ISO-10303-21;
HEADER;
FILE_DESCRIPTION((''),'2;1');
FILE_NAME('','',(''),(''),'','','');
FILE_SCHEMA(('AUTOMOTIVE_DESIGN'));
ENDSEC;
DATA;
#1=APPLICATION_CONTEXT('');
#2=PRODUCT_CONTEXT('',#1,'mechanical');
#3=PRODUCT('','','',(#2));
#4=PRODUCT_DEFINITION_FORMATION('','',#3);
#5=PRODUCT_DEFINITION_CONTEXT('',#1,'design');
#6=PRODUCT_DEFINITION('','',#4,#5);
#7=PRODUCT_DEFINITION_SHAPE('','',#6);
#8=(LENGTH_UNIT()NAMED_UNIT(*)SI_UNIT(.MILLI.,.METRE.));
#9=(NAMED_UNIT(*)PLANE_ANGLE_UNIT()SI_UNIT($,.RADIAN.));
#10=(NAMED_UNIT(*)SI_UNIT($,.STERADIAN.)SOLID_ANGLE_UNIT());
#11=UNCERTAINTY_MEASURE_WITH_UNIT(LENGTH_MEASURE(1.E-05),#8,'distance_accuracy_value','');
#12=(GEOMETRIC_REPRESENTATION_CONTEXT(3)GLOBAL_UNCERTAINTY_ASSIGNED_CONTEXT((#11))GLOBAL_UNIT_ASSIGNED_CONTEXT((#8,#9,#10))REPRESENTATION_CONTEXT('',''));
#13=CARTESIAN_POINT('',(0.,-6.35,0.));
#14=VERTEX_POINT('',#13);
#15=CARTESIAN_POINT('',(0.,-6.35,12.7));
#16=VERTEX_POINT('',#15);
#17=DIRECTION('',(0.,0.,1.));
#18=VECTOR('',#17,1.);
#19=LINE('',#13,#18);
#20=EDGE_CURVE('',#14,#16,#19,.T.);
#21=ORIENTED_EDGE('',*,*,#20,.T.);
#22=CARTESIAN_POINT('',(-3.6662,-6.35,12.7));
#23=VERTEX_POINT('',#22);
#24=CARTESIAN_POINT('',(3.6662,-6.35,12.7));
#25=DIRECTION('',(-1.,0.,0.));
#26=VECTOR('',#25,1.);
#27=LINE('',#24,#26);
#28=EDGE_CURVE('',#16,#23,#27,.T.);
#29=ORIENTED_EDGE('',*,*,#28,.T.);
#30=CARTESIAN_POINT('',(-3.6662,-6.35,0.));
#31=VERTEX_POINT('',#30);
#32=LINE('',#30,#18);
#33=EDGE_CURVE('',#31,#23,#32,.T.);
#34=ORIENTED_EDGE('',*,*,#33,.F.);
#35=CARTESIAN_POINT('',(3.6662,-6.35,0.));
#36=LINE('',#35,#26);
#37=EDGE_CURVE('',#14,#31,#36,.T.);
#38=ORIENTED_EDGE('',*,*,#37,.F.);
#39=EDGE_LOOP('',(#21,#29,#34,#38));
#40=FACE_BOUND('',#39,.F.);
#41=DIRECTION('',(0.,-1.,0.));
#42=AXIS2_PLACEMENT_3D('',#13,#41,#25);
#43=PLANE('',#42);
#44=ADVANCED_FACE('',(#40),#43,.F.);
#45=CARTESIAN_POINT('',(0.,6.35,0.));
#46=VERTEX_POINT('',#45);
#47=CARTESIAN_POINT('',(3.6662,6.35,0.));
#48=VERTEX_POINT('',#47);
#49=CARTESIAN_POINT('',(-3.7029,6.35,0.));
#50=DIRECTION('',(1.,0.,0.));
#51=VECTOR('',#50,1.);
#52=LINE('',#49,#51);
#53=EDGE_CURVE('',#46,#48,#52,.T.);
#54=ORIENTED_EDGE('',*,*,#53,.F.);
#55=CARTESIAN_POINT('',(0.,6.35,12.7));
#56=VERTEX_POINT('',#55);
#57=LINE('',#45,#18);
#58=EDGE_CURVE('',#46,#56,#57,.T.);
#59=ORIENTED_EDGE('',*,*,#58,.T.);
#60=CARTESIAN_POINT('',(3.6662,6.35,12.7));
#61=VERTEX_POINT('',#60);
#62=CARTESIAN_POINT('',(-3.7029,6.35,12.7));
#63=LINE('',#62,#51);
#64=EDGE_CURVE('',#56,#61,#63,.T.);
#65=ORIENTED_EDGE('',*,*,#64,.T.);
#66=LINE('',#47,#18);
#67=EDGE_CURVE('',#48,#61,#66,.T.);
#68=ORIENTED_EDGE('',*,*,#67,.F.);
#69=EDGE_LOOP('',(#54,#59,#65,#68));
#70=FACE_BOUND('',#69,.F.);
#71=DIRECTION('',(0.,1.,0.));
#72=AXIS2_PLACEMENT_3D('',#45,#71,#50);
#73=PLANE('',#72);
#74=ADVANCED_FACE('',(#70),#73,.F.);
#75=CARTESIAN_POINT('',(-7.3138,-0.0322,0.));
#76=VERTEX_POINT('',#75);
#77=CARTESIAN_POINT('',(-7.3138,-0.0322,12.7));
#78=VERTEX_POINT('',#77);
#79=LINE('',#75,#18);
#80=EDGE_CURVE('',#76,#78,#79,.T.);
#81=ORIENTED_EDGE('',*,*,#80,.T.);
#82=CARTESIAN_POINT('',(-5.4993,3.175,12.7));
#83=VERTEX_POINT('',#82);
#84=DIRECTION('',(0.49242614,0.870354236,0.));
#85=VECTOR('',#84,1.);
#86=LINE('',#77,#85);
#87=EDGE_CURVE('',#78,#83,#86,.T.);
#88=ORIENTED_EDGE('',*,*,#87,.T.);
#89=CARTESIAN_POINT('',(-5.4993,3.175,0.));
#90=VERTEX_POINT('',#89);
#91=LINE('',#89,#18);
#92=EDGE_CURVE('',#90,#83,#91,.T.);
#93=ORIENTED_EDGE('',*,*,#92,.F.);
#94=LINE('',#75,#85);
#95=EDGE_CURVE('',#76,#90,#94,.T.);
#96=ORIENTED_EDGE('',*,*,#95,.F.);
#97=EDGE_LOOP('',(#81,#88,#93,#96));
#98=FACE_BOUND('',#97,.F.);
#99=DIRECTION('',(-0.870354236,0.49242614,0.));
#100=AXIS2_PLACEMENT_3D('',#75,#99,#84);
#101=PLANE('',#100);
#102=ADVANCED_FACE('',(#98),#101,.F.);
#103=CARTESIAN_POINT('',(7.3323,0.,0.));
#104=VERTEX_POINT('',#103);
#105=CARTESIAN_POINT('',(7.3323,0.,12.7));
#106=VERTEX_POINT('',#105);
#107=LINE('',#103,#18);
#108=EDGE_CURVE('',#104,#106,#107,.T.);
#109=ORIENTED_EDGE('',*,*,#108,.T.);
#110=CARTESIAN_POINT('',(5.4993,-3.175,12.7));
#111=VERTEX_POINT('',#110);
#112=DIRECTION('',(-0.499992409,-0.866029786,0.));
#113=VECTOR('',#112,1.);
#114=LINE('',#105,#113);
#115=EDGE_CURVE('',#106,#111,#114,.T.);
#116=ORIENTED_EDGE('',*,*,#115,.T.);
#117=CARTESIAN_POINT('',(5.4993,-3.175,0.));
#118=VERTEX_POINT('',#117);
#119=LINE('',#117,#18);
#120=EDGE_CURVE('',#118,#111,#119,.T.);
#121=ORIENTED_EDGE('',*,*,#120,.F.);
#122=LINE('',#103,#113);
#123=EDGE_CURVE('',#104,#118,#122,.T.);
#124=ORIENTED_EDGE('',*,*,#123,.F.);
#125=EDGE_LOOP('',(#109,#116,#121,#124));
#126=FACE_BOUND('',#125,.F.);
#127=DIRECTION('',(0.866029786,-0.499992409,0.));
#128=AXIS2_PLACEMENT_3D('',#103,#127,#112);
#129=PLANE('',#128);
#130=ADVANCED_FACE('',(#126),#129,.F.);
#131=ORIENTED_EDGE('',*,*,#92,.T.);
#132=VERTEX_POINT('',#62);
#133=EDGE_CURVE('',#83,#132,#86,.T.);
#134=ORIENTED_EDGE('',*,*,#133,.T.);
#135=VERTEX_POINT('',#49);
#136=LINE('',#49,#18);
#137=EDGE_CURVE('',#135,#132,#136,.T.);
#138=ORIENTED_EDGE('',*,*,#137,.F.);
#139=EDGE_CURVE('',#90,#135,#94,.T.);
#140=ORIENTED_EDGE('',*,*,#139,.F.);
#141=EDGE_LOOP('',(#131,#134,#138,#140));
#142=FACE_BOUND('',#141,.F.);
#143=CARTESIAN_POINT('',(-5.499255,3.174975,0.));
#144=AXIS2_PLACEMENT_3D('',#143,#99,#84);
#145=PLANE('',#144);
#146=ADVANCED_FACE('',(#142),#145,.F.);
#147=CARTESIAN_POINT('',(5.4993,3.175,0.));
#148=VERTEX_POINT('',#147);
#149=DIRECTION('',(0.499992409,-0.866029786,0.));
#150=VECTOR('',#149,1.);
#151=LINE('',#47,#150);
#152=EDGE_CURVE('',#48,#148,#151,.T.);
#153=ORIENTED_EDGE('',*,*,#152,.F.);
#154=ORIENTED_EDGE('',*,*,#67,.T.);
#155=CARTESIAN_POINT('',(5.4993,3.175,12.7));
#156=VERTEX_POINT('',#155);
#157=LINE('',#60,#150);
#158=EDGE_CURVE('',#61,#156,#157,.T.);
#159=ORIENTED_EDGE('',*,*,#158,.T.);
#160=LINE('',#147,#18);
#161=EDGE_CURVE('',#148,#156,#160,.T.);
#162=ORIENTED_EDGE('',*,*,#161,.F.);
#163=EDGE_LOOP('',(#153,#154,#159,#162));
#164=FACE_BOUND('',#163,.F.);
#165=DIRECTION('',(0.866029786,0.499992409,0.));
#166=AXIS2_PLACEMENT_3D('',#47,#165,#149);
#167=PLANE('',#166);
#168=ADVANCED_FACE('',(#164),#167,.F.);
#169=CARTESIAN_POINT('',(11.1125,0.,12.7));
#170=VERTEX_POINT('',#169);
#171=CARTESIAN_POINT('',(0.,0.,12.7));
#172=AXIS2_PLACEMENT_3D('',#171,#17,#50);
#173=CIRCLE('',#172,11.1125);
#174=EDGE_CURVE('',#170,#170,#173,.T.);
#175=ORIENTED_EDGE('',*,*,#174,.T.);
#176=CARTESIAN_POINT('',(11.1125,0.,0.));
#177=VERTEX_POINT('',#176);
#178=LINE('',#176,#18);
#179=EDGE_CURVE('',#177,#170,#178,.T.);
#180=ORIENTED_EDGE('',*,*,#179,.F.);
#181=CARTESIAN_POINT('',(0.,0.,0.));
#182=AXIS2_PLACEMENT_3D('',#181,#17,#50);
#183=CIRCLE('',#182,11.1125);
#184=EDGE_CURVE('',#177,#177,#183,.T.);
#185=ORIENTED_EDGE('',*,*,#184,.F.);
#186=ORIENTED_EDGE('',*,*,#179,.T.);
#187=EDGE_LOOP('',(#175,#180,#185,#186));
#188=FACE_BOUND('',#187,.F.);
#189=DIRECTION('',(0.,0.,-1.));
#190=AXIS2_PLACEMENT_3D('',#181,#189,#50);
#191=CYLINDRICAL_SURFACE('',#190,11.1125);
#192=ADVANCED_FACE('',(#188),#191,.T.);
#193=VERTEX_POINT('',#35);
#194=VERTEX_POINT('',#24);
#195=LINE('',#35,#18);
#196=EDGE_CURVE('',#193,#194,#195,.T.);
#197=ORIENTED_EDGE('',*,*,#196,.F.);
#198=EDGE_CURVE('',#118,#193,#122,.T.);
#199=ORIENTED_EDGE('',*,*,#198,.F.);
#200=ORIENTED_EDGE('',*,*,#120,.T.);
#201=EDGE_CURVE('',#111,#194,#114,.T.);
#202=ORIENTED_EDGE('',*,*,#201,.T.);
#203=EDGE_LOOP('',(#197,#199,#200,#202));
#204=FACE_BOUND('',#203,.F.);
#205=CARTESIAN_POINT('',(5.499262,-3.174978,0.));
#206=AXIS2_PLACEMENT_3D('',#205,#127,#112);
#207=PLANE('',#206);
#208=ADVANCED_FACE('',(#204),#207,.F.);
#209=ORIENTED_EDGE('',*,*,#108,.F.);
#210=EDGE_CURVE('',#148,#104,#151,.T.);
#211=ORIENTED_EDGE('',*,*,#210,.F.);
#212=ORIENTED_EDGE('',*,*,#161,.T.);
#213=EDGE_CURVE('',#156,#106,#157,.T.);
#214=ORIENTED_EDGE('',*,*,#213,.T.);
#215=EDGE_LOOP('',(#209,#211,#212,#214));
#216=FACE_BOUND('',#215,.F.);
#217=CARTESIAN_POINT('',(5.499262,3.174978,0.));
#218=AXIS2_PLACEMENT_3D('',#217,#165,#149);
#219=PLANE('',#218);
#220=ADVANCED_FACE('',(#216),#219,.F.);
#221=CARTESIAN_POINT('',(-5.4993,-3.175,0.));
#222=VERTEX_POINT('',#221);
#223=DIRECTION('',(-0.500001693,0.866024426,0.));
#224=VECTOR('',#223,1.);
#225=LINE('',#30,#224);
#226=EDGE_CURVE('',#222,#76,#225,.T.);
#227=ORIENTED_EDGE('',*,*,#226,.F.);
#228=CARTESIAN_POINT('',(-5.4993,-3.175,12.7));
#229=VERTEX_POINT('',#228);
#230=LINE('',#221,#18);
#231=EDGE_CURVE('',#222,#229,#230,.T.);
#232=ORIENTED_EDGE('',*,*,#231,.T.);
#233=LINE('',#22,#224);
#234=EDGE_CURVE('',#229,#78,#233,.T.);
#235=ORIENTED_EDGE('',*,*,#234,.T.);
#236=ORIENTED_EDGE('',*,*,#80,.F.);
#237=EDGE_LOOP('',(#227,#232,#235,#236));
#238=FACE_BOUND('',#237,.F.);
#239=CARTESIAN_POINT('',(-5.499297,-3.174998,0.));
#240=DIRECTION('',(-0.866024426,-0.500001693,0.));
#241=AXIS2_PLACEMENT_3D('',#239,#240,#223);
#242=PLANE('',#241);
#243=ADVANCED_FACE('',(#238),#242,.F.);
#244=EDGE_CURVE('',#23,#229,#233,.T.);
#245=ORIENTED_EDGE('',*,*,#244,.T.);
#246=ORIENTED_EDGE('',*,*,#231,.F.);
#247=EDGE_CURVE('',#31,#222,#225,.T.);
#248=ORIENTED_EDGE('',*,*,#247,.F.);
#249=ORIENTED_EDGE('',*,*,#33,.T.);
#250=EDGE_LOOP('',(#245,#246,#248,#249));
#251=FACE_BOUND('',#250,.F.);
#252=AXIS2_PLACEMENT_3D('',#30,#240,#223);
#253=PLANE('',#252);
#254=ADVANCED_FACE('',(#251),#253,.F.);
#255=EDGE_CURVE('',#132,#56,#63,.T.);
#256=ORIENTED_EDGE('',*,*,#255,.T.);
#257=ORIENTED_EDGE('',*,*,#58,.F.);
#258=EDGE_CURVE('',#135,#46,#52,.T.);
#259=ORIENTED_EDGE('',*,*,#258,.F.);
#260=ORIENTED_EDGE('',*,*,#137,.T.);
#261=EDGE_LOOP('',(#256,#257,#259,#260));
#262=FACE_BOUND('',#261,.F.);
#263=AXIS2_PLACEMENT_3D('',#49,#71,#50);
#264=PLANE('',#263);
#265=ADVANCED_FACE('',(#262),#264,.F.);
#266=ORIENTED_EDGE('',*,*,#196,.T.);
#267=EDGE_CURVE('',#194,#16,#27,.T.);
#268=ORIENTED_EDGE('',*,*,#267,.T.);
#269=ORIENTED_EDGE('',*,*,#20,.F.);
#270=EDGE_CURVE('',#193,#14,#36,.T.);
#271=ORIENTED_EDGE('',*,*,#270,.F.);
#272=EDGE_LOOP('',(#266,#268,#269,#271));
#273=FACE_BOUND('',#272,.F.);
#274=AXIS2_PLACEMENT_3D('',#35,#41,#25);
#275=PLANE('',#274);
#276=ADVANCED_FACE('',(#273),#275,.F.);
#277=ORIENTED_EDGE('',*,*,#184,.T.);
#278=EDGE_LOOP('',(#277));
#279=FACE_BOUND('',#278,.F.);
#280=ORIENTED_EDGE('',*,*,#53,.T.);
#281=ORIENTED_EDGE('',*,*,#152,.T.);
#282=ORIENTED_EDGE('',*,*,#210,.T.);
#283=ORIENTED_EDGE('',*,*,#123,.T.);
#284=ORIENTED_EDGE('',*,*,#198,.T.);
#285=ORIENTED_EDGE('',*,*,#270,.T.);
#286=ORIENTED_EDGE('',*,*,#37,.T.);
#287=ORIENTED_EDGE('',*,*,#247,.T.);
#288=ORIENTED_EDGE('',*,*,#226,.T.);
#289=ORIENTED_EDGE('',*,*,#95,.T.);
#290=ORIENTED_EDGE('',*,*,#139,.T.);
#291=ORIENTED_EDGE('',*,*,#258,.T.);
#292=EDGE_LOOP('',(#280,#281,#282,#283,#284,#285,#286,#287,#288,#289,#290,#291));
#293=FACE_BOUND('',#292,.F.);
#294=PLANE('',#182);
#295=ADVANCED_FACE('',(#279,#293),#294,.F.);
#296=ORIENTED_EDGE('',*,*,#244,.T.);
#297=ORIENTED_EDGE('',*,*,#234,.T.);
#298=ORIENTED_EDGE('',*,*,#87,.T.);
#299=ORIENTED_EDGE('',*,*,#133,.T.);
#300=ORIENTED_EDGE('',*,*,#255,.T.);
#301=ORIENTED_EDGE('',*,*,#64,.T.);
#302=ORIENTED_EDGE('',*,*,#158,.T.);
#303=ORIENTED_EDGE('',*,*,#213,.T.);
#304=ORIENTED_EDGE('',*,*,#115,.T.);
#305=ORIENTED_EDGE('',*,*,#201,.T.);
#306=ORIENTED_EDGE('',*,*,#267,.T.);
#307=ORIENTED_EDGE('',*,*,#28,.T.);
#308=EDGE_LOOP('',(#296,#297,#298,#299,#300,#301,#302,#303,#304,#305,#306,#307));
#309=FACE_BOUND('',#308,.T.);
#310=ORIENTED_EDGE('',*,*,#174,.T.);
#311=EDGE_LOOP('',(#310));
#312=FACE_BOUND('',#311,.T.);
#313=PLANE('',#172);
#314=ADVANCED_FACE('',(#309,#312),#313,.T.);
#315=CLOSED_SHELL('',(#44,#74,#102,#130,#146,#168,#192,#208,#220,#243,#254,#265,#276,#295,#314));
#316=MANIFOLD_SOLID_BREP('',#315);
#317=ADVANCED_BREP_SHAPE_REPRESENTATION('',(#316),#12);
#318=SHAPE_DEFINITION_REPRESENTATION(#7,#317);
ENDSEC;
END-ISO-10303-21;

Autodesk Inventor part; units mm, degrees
ref_plane "YZ Plane" through (0, 0, 0) normal (1, 0, 0) x (0, 1, 0)
ref_plane "XZ Plane" through (0, 0, 0) normal (0, 1, 0) x (-1, 0, 0)
ref_plane "XY Plane" through (0, 0, 0) normal (0, 0, 1) x (1, 0, 0)
sketch "Sketch1" plane through (0, 0, 0) normal (0, 0, 1) x (1, 0, 0)
  circle A0 centre (0, 0) radius 11.1125
  line L0 (0, 0) -> (7.3323, 0)
  line L1 (-3.7029, 6.35) -> (3.6662, 6.35)
  line L2 (3.6662, 6.35) -> (7.3323, 0)
  line L3 (7.3323, 0) -> (3.6662, -6.35)
  line L4 (3.6662, -6.35) -> (-3.6662, -6.35)
  line L5 (-3.6662, -6.35) -> (-7.3138, -0.0322)
  line L6 (-7.3138, -0.0322) -> (-3.7029, 6.35)
  line L7 (0, 0) -> (0, 6.35)
  line L8 (0, 0) -> (0, -6.35)
  line L9 (0, 0) -> (-5.4993, 3.175)
  line L10 (0, 0) -> (5.4993, -3.175)
  line L11 (0, 0) -> (5.4993, 3.175)
  line L12 (0, 0) -> (-5.4993, -3.175)
  dimension "d0" = 22.225
  dimension "d16" = 12.7
  dimension "d17" = 12.7
  dimension "d18" = 0.5
  dimension "d19" = 6.35
  dimension "d20" = 6.35
  dimension "d21" = 6.35
  dimension "d22" = 6.35
  dimension "d23" = 60
  dimension "d24" = 60
  dimension "d25" = 6.35
  dimension "d26" = 6.35
  dimension "d27" = 60
  dimension "d28" = 60
extrude "Extrusion1" add sketch "Sketch1" along normal blind 12.7
properties part number "Churro Spacer"
